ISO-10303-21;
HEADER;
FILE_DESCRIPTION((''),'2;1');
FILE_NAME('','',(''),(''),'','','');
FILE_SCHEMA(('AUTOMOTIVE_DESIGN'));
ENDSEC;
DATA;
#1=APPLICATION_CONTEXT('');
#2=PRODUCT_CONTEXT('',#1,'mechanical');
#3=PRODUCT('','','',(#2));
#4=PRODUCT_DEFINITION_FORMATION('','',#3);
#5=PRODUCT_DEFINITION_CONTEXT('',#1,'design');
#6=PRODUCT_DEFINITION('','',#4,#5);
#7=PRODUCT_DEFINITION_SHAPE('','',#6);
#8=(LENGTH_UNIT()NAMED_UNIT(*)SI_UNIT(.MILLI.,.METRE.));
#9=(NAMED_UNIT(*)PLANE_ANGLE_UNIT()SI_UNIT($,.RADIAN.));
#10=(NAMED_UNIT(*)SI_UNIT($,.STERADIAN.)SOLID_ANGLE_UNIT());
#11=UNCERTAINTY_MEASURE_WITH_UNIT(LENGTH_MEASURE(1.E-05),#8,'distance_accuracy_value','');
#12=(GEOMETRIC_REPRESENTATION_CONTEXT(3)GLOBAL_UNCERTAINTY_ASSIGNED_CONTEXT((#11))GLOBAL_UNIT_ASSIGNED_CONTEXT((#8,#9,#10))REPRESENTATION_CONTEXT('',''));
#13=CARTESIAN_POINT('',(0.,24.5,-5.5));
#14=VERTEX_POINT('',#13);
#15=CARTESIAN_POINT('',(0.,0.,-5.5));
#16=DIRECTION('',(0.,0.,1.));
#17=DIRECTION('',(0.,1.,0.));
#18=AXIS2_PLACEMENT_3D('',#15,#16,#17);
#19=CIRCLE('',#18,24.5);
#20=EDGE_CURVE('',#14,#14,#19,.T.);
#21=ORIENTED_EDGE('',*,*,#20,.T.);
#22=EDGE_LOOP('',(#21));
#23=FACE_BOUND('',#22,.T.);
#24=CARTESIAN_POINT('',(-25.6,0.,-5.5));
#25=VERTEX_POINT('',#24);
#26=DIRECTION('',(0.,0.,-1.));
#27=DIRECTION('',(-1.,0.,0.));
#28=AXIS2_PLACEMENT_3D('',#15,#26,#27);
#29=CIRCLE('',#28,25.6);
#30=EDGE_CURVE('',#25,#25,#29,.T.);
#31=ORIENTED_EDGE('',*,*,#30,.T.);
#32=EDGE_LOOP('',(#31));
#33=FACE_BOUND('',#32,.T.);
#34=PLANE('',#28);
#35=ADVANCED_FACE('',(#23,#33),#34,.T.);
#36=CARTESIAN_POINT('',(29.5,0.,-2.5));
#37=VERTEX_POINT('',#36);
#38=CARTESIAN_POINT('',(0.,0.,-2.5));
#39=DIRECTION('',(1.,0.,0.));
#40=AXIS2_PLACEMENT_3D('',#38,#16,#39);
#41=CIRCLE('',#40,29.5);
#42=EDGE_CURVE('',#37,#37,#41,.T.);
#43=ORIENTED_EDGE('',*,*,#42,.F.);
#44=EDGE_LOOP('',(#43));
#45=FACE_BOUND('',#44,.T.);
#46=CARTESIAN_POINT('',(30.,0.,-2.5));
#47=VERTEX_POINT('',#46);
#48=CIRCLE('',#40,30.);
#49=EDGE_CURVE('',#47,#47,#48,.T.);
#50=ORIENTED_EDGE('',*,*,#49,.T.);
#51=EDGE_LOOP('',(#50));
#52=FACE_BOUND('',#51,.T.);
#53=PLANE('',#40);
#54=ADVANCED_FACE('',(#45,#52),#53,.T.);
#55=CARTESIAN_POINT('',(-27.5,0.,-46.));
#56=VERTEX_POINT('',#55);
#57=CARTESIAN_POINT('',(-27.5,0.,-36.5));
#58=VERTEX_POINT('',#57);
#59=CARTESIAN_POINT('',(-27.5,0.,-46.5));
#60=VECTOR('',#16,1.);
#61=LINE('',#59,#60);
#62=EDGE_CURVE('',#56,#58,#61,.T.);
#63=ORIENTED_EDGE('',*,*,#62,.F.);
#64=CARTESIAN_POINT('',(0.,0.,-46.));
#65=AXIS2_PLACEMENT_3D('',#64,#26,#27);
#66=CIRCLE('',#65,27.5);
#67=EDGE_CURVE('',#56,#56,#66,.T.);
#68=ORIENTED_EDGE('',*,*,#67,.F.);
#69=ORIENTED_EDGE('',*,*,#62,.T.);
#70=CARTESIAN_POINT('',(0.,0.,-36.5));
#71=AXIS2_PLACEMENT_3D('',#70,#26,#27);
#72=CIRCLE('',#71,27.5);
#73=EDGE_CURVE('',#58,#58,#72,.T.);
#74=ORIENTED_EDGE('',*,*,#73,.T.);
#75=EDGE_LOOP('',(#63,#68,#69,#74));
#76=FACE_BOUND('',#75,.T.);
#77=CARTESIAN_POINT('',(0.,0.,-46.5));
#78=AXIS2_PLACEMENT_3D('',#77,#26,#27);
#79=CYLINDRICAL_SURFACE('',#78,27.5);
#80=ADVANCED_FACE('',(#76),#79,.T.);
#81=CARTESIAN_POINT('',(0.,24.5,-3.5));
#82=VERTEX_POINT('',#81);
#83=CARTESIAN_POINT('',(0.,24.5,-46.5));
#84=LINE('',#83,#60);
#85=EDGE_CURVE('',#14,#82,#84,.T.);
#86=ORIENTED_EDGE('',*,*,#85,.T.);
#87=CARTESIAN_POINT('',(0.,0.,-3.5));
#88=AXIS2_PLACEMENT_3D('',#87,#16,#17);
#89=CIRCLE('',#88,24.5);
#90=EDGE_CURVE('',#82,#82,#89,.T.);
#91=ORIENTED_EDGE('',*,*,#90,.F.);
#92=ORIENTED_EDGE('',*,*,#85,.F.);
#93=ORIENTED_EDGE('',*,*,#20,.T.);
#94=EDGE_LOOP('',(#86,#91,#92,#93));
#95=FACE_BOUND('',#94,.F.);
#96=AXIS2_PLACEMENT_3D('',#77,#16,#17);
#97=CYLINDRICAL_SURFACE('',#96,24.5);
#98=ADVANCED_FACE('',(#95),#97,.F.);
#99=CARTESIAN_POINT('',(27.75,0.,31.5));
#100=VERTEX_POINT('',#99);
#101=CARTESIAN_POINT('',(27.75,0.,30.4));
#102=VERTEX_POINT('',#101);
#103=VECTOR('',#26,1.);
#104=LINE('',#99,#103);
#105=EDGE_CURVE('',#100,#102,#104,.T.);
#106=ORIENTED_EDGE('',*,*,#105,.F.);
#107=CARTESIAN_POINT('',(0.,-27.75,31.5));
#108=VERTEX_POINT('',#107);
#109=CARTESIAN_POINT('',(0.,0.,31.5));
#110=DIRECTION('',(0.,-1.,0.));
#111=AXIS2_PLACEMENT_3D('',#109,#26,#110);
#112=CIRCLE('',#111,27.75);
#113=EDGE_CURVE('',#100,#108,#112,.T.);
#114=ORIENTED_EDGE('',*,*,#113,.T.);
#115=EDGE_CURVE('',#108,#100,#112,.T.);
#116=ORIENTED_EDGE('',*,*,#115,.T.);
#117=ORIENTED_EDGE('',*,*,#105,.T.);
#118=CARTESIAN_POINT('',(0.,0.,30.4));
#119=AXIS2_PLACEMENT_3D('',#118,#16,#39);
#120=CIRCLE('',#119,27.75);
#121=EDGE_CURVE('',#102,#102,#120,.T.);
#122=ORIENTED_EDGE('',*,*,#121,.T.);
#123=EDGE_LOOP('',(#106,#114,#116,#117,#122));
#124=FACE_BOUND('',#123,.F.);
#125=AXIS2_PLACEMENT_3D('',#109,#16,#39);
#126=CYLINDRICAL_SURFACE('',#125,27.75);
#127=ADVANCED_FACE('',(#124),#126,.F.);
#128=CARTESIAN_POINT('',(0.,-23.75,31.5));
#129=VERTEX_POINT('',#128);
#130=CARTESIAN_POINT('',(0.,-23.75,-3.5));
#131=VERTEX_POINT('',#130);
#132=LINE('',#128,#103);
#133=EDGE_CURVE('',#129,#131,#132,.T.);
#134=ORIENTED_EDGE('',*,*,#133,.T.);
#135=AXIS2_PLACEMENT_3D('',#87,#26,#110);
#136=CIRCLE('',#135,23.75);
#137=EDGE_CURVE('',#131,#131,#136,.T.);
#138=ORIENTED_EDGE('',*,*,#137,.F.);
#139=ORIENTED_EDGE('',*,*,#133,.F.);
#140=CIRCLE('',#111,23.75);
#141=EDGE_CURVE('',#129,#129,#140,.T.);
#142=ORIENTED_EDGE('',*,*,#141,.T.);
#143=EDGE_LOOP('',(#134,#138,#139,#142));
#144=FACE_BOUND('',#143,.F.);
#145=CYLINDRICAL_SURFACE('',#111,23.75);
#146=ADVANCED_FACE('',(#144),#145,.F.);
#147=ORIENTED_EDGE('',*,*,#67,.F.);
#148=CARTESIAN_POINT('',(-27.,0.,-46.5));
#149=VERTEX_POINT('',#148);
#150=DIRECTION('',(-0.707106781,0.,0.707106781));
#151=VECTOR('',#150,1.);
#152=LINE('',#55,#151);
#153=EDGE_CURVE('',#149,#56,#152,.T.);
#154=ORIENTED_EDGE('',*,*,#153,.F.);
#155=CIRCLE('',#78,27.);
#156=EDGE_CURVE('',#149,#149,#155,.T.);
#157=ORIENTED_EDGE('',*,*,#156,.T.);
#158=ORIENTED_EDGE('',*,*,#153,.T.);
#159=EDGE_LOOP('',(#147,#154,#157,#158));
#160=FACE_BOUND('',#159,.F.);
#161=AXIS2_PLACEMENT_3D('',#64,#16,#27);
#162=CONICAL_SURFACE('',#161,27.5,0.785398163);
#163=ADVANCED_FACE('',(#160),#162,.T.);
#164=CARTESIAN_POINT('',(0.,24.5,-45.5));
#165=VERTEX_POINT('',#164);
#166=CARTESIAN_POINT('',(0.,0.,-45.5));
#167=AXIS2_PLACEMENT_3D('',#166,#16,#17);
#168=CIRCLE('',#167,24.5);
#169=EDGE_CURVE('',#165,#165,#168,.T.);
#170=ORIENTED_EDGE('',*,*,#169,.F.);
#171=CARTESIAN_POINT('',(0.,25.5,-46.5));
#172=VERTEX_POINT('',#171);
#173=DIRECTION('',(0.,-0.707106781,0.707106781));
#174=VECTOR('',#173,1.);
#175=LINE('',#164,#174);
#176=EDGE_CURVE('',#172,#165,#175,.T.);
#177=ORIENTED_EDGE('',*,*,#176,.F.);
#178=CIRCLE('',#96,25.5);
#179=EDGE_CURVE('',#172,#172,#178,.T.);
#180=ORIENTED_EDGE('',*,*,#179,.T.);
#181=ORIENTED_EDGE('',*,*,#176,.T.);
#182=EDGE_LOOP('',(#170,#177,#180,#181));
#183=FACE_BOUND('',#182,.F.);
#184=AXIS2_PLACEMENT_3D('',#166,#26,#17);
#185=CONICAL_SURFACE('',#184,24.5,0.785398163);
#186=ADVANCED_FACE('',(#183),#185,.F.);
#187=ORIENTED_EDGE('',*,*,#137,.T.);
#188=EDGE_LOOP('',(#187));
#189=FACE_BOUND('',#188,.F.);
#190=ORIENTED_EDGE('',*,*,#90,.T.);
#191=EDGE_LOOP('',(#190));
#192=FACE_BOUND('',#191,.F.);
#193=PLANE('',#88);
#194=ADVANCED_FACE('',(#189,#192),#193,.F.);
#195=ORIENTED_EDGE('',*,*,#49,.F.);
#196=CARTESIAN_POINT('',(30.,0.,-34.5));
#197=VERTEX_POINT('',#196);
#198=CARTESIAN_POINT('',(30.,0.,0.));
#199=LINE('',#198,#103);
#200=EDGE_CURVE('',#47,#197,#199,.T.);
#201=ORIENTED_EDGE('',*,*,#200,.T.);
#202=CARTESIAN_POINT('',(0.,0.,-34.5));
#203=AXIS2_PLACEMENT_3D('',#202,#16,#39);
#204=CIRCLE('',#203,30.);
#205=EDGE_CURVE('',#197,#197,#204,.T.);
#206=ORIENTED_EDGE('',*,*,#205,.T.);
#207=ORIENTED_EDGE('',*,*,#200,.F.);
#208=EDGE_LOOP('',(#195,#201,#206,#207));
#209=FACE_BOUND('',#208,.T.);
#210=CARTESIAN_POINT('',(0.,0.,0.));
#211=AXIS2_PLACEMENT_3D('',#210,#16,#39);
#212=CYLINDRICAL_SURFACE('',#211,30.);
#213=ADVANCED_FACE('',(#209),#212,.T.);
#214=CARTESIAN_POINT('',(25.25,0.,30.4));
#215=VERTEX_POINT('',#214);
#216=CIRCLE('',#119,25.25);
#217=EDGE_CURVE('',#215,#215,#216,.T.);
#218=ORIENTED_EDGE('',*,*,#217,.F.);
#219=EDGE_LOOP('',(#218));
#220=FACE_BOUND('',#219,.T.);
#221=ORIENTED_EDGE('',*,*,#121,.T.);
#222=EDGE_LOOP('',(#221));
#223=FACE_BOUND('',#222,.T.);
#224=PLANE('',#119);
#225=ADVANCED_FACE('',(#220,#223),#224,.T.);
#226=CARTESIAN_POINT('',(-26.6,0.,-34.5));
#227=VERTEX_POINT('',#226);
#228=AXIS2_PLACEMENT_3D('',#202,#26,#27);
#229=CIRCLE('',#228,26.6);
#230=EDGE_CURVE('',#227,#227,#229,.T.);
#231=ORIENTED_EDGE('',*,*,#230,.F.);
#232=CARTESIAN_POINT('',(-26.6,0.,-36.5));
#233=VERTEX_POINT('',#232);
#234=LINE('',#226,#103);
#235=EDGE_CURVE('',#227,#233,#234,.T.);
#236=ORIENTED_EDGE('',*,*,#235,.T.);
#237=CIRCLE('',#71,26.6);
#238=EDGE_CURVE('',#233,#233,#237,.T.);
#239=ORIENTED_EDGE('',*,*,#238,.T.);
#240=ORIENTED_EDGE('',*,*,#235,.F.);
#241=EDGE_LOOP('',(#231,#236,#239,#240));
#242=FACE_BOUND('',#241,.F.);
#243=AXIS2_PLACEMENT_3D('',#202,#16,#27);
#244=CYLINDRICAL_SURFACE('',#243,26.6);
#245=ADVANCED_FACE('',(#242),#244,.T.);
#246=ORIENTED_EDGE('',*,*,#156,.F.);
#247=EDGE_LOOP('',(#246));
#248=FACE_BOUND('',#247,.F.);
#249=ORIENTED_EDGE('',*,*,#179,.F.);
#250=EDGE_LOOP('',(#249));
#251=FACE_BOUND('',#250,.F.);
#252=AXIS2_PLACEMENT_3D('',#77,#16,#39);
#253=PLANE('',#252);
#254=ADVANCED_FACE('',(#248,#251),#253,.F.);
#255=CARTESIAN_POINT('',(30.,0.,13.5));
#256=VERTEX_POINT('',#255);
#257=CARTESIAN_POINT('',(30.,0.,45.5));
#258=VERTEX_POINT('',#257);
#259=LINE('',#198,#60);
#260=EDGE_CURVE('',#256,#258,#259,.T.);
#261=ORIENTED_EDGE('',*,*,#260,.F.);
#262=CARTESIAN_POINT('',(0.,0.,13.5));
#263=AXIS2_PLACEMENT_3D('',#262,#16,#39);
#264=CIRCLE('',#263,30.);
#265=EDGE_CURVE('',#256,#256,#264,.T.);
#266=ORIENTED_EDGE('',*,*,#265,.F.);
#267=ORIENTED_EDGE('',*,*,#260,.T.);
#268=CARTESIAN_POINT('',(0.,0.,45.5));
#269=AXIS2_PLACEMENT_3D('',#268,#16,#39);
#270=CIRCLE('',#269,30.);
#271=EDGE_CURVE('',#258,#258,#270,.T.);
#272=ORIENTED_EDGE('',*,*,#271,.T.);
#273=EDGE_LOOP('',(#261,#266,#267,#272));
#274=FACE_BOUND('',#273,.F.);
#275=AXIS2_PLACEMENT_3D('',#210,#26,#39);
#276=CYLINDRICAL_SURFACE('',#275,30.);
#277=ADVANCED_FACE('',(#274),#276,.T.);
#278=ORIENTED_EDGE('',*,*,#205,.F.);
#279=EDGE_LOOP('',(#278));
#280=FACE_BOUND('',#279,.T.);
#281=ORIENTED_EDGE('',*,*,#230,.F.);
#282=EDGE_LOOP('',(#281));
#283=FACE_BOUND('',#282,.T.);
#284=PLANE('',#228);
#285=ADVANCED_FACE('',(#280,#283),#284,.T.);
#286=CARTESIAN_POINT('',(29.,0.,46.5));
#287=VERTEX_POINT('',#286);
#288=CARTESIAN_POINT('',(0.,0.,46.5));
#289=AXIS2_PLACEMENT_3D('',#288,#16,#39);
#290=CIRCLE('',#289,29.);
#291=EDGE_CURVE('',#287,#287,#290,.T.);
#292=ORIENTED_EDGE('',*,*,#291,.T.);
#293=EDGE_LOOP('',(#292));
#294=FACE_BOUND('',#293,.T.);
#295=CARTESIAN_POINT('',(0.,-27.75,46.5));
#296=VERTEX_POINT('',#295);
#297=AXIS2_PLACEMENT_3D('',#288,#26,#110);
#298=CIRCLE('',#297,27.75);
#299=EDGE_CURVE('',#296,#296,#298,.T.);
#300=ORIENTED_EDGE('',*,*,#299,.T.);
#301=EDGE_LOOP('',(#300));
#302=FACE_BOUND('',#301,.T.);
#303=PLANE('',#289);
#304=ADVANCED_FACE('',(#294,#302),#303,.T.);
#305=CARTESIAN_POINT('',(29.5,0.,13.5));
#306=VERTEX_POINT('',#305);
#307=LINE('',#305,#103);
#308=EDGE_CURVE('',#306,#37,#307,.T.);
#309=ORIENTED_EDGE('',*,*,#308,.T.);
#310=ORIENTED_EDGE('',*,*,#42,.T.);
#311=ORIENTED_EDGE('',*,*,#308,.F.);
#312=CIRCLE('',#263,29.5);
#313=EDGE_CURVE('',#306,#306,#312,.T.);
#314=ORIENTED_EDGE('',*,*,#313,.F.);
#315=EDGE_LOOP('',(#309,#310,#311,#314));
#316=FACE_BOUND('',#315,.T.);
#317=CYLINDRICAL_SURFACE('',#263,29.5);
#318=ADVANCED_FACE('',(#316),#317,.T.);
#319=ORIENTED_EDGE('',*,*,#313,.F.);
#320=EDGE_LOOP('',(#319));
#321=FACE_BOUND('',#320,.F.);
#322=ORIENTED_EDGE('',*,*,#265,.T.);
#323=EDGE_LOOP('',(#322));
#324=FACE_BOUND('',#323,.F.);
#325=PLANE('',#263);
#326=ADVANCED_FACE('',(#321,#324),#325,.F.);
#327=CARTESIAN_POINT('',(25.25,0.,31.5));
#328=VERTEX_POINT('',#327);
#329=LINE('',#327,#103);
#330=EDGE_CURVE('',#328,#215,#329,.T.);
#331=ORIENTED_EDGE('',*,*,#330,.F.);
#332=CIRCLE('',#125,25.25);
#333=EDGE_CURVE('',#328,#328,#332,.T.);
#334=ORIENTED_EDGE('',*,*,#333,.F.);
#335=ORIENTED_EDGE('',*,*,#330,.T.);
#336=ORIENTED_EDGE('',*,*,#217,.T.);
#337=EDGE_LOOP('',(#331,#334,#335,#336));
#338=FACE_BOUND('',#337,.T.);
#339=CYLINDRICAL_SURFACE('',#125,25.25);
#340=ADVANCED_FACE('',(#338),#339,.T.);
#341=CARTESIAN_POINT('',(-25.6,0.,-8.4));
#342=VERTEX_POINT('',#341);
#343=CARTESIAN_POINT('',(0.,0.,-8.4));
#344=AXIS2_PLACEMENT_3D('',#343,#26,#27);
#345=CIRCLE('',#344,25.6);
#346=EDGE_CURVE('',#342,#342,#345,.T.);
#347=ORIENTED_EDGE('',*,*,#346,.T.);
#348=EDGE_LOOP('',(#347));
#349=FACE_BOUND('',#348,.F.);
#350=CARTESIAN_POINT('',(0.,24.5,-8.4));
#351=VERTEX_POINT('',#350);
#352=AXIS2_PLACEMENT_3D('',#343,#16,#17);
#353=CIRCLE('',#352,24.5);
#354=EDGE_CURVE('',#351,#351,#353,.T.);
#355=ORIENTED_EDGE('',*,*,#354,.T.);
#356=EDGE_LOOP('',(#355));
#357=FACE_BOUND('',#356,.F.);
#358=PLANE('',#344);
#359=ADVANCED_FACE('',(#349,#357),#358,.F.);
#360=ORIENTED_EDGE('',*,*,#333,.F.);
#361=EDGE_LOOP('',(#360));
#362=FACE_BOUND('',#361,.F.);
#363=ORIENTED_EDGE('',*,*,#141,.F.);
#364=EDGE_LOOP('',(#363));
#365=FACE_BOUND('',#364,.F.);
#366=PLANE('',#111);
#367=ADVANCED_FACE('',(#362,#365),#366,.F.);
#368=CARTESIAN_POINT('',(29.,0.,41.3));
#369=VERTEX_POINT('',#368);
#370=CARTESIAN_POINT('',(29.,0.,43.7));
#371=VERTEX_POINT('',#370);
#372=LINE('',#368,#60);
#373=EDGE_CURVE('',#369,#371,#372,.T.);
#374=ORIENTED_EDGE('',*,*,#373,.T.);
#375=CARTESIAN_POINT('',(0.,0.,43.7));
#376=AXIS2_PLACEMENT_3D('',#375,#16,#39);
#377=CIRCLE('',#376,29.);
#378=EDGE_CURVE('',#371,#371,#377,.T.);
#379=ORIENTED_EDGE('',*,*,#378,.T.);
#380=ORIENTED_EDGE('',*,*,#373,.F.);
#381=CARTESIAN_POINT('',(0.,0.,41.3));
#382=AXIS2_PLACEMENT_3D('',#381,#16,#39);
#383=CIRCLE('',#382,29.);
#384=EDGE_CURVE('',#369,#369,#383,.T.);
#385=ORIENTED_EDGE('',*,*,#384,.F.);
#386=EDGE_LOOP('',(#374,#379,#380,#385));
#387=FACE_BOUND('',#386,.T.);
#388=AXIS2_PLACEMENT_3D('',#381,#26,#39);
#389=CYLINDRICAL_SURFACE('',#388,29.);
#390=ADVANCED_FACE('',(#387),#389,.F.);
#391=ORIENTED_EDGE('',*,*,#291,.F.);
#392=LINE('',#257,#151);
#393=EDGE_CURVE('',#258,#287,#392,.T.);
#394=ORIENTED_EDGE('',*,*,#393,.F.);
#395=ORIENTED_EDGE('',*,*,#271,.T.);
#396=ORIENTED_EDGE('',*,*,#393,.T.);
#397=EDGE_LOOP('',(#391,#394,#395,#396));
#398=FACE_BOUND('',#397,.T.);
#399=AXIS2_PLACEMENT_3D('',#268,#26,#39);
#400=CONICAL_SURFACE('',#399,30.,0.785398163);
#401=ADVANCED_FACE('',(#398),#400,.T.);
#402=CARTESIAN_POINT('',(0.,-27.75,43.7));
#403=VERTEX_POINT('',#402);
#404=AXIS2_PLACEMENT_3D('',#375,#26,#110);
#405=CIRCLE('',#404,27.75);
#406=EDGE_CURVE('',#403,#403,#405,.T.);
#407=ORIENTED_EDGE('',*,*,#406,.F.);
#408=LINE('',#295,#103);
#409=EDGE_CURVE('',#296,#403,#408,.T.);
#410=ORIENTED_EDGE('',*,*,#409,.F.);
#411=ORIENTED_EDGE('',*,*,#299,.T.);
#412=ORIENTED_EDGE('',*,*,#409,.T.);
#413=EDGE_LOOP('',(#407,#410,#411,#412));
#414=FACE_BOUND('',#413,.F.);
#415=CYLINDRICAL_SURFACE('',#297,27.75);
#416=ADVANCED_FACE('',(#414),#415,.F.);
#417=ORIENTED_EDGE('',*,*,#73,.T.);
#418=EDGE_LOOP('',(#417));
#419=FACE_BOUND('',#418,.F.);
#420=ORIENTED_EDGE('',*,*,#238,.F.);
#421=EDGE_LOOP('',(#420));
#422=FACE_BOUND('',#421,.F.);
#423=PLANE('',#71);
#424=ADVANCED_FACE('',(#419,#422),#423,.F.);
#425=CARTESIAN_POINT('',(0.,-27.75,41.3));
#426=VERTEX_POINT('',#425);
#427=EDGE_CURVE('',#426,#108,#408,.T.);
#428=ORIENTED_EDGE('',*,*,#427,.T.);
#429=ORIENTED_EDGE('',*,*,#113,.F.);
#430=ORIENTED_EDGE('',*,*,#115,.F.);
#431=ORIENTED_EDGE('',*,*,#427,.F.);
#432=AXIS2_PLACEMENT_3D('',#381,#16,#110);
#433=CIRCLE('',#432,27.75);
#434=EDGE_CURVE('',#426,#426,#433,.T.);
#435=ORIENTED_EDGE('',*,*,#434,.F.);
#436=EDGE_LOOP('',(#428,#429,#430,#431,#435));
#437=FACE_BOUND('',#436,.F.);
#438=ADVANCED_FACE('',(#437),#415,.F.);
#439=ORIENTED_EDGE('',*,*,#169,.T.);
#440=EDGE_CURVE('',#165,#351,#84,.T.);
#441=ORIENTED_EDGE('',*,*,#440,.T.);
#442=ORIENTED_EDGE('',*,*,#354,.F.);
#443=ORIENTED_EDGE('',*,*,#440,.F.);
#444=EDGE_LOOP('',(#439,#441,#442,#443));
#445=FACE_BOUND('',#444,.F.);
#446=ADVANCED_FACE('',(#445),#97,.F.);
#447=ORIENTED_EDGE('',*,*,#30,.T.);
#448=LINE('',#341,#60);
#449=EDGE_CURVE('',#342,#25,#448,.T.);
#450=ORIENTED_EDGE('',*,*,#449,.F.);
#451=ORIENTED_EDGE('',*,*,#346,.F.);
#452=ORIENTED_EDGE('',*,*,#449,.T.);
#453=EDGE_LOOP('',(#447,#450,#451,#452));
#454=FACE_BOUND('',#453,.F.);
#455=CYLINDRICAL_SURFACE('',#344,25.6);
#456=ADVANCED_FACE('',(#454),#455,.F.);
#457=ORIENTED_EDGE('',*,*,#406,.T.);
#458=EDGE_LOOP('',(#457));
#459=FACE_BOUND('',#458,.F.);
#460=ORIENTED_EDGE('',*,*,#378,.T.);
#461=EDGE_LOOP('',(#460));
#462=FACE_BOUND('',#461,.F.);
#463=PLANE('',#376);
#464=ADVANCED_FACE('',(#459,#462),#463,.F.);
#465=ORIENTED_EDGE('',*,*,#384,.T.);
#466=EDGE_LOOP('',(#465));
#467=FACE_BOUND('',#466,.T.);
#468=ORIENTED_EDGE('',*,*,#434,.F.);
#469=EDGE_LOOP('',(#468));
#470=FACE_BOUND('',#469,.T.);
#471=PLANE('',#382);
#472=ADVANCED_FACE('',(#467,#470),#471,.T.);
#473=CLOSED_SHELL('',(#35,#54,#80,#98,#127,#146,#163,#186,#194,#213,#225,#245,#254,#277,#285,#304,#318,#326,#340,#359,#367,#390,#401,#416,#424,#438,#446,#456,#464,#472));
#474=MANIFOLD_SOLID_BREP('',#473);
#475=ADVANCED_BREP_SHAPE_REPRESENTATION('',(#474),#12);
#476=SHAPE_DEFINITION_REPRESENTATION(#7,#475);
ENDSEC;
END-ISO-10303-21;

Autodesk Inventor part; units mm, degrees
sketch "Skizze1" plane through (0, 0, 0) normal (0, 0, 1) x (1, 0, 0)
  circle A0 centre (0, 0) radius 30
  dimension "d0" = 60
extrude "Extrusion1" add sketch "Skizze1" along normal mid plane 93
ref_plane "Arbeitsebene1" through (0, 0, 13.5) normal (0, 0, 1) x (1, 0, 0)
ref_plane "Arbeitsebene2" through (0, 0, -2.5) normal (0, 0, 1) x (1, 0, 0)
ref_plane "Arbeitsebene11" through (0, 0, 45) normal (0, 0, 1) x (1, 0, 0)
sketch "Skizze12" plane through (0, 0, 13.5) normal (0, 0, 1) x (1, 0, 0)
  circle A0 centre (0, 0) radius 29.5
  circle A1 centre (0, 0) radius 30 projected
  dimension "d91" = 0.5
extrude "Extrusion9" cut sketch "Skizze12" against normal up to surface (16 mm away)
sketch "Skizze3" plane through (0, 0, 46.5) normal (0, 0, 1) x (1, 0, 0)
  point P0 (0, 0)
  point P1 (0, 0)
hole "Bohrung1" at (0, 0, 46.5) direction (0, 0, -1) diameter 55.5 depth 15
ref_plane "Arbeitsebene13" through (0, 0, 33) normal (0, 0, 1) x (1, 0, 0)
sketch "Skizze4" plane through (0, 0, 31.5) normal (0, 0, 1) x (1, 0, 0)
  point P0 (0, 0)
  point P1 (0, 0)
hole "Bohrung2" at (0, 0, 31.5) direction (0, 0, -1) diameter 47.5 end through all
sketch "Skizze5" plane through (0, 0, -46.5) normal (0, 0, -1) x (-1, 0, 0)
  point P0 (0, 0)
  point P1 (0, 0)
hole "Bohrung3" at (0, 0, -46.5) direction (0, 0, 1) diameter 49 depth 43
sketch "Skizze6" plane through (0, 0, -46.5) normal (0, 0, -1) x (-1, 0, 0)
  circle A0 centre (0, 0) radius 27.5
  circle A1 centre (0, 0) radius 30 projected
  dimension "d35" = 55
extrude "Extrusion3" cut sketch "Skizze6" against normal blind 12
ref_plane "Arbeitsebene4" through (0, 0, -36.5) normal (0, 0, -1) x (-1, 0, 0)
sketch "Skizze7" plane through (0, 0, -46.5) normal (0, 0, -1) x (-1, 0, 0)
  circle A0 centre (0, 0) radius 26.6
  circle A1 centre (0, 0) radius 27.5 projected
  dimension "d39" = 53.2
ref_plane "Arbeitsebene5" through (0, 0, -34.5) normal (0, 0, -1) x (-1, 0, 0)
extrude "Extrusion4" cut sketch "Skizze7" along normal up to surface (2 mm away) from surface at -12
thread "Gewinde1" size "M55x1.5" class "6g" standard "ISO Metric profile" full length
chamfer "Fase3" distance 0.5 angle 45 1 edges at (27.5, 0, -46.5)
ref_plane "Arbeitsebene10" through (0, 0, -8.4) normal (0, 0, -1) x (-1, 0, 0)
ref_plane "Arbeitsebene9" through (0, 0, -5.5) normal (0, 0, -1) x (-1, 0, 0)
sketch "Skizze9" plane through (0, 0, -8.4) normal (0, 0, -1) x (-1, 0, 0)
  circle A0 centre (0, 0) radius 25.6
  dimension "d67" = 51.2
extrude "Extrusion6" cut sketch "Skizze9" against normal up to surface (2.9 mm away) from surface at 0
chamfer "Fase8" distance 1 angle 45 1 edges at (0, -24.5, -46.5)
ref_plane "Arbeitsebene12" through (0, 0, 33) normal (0, 0, 1) x (1, 0, 0)
sketch "Skizze10" plane through (0, 0, 31.5) normal (0, 0, 1) x (1, 0, 0)
  circle A0 centre (0, 0) radius 23.75 projected
  circle A1 centre (0, 0) radius 25.25
  circle A2 centre (0, 0) radius 27.75
  circle A3 centre (0, 0) radius 27.75 projected
  dimension "d76" = 1.5
  dimension "d77" = 2.5
extrude "Extrusion7" cut sketch "Skizze10" against normal blind 1.1 contours A2
ref_plane "Arbeitsebene14" through (0, 0, 41.3) normal (0, 0, 1) x (1, 0, 0)
sketch "Skizze11" plane through (0, 0, 41.3) normal (0, 0, 1) x (1, 0, 0)
  circle A0 centre (0, 0) radius 27.75 projected
  circle A1 centre (0, 0) radius 29
  dimension "d82" = 1.25
extrude "Extrusion8" cut sketch "Skizze11" along normal blind 2.4
chamfer "Fase10" distance 1 angle 45 1 edges at (-30, 0, 46.5)
properties part number "Lampengehäuse"
